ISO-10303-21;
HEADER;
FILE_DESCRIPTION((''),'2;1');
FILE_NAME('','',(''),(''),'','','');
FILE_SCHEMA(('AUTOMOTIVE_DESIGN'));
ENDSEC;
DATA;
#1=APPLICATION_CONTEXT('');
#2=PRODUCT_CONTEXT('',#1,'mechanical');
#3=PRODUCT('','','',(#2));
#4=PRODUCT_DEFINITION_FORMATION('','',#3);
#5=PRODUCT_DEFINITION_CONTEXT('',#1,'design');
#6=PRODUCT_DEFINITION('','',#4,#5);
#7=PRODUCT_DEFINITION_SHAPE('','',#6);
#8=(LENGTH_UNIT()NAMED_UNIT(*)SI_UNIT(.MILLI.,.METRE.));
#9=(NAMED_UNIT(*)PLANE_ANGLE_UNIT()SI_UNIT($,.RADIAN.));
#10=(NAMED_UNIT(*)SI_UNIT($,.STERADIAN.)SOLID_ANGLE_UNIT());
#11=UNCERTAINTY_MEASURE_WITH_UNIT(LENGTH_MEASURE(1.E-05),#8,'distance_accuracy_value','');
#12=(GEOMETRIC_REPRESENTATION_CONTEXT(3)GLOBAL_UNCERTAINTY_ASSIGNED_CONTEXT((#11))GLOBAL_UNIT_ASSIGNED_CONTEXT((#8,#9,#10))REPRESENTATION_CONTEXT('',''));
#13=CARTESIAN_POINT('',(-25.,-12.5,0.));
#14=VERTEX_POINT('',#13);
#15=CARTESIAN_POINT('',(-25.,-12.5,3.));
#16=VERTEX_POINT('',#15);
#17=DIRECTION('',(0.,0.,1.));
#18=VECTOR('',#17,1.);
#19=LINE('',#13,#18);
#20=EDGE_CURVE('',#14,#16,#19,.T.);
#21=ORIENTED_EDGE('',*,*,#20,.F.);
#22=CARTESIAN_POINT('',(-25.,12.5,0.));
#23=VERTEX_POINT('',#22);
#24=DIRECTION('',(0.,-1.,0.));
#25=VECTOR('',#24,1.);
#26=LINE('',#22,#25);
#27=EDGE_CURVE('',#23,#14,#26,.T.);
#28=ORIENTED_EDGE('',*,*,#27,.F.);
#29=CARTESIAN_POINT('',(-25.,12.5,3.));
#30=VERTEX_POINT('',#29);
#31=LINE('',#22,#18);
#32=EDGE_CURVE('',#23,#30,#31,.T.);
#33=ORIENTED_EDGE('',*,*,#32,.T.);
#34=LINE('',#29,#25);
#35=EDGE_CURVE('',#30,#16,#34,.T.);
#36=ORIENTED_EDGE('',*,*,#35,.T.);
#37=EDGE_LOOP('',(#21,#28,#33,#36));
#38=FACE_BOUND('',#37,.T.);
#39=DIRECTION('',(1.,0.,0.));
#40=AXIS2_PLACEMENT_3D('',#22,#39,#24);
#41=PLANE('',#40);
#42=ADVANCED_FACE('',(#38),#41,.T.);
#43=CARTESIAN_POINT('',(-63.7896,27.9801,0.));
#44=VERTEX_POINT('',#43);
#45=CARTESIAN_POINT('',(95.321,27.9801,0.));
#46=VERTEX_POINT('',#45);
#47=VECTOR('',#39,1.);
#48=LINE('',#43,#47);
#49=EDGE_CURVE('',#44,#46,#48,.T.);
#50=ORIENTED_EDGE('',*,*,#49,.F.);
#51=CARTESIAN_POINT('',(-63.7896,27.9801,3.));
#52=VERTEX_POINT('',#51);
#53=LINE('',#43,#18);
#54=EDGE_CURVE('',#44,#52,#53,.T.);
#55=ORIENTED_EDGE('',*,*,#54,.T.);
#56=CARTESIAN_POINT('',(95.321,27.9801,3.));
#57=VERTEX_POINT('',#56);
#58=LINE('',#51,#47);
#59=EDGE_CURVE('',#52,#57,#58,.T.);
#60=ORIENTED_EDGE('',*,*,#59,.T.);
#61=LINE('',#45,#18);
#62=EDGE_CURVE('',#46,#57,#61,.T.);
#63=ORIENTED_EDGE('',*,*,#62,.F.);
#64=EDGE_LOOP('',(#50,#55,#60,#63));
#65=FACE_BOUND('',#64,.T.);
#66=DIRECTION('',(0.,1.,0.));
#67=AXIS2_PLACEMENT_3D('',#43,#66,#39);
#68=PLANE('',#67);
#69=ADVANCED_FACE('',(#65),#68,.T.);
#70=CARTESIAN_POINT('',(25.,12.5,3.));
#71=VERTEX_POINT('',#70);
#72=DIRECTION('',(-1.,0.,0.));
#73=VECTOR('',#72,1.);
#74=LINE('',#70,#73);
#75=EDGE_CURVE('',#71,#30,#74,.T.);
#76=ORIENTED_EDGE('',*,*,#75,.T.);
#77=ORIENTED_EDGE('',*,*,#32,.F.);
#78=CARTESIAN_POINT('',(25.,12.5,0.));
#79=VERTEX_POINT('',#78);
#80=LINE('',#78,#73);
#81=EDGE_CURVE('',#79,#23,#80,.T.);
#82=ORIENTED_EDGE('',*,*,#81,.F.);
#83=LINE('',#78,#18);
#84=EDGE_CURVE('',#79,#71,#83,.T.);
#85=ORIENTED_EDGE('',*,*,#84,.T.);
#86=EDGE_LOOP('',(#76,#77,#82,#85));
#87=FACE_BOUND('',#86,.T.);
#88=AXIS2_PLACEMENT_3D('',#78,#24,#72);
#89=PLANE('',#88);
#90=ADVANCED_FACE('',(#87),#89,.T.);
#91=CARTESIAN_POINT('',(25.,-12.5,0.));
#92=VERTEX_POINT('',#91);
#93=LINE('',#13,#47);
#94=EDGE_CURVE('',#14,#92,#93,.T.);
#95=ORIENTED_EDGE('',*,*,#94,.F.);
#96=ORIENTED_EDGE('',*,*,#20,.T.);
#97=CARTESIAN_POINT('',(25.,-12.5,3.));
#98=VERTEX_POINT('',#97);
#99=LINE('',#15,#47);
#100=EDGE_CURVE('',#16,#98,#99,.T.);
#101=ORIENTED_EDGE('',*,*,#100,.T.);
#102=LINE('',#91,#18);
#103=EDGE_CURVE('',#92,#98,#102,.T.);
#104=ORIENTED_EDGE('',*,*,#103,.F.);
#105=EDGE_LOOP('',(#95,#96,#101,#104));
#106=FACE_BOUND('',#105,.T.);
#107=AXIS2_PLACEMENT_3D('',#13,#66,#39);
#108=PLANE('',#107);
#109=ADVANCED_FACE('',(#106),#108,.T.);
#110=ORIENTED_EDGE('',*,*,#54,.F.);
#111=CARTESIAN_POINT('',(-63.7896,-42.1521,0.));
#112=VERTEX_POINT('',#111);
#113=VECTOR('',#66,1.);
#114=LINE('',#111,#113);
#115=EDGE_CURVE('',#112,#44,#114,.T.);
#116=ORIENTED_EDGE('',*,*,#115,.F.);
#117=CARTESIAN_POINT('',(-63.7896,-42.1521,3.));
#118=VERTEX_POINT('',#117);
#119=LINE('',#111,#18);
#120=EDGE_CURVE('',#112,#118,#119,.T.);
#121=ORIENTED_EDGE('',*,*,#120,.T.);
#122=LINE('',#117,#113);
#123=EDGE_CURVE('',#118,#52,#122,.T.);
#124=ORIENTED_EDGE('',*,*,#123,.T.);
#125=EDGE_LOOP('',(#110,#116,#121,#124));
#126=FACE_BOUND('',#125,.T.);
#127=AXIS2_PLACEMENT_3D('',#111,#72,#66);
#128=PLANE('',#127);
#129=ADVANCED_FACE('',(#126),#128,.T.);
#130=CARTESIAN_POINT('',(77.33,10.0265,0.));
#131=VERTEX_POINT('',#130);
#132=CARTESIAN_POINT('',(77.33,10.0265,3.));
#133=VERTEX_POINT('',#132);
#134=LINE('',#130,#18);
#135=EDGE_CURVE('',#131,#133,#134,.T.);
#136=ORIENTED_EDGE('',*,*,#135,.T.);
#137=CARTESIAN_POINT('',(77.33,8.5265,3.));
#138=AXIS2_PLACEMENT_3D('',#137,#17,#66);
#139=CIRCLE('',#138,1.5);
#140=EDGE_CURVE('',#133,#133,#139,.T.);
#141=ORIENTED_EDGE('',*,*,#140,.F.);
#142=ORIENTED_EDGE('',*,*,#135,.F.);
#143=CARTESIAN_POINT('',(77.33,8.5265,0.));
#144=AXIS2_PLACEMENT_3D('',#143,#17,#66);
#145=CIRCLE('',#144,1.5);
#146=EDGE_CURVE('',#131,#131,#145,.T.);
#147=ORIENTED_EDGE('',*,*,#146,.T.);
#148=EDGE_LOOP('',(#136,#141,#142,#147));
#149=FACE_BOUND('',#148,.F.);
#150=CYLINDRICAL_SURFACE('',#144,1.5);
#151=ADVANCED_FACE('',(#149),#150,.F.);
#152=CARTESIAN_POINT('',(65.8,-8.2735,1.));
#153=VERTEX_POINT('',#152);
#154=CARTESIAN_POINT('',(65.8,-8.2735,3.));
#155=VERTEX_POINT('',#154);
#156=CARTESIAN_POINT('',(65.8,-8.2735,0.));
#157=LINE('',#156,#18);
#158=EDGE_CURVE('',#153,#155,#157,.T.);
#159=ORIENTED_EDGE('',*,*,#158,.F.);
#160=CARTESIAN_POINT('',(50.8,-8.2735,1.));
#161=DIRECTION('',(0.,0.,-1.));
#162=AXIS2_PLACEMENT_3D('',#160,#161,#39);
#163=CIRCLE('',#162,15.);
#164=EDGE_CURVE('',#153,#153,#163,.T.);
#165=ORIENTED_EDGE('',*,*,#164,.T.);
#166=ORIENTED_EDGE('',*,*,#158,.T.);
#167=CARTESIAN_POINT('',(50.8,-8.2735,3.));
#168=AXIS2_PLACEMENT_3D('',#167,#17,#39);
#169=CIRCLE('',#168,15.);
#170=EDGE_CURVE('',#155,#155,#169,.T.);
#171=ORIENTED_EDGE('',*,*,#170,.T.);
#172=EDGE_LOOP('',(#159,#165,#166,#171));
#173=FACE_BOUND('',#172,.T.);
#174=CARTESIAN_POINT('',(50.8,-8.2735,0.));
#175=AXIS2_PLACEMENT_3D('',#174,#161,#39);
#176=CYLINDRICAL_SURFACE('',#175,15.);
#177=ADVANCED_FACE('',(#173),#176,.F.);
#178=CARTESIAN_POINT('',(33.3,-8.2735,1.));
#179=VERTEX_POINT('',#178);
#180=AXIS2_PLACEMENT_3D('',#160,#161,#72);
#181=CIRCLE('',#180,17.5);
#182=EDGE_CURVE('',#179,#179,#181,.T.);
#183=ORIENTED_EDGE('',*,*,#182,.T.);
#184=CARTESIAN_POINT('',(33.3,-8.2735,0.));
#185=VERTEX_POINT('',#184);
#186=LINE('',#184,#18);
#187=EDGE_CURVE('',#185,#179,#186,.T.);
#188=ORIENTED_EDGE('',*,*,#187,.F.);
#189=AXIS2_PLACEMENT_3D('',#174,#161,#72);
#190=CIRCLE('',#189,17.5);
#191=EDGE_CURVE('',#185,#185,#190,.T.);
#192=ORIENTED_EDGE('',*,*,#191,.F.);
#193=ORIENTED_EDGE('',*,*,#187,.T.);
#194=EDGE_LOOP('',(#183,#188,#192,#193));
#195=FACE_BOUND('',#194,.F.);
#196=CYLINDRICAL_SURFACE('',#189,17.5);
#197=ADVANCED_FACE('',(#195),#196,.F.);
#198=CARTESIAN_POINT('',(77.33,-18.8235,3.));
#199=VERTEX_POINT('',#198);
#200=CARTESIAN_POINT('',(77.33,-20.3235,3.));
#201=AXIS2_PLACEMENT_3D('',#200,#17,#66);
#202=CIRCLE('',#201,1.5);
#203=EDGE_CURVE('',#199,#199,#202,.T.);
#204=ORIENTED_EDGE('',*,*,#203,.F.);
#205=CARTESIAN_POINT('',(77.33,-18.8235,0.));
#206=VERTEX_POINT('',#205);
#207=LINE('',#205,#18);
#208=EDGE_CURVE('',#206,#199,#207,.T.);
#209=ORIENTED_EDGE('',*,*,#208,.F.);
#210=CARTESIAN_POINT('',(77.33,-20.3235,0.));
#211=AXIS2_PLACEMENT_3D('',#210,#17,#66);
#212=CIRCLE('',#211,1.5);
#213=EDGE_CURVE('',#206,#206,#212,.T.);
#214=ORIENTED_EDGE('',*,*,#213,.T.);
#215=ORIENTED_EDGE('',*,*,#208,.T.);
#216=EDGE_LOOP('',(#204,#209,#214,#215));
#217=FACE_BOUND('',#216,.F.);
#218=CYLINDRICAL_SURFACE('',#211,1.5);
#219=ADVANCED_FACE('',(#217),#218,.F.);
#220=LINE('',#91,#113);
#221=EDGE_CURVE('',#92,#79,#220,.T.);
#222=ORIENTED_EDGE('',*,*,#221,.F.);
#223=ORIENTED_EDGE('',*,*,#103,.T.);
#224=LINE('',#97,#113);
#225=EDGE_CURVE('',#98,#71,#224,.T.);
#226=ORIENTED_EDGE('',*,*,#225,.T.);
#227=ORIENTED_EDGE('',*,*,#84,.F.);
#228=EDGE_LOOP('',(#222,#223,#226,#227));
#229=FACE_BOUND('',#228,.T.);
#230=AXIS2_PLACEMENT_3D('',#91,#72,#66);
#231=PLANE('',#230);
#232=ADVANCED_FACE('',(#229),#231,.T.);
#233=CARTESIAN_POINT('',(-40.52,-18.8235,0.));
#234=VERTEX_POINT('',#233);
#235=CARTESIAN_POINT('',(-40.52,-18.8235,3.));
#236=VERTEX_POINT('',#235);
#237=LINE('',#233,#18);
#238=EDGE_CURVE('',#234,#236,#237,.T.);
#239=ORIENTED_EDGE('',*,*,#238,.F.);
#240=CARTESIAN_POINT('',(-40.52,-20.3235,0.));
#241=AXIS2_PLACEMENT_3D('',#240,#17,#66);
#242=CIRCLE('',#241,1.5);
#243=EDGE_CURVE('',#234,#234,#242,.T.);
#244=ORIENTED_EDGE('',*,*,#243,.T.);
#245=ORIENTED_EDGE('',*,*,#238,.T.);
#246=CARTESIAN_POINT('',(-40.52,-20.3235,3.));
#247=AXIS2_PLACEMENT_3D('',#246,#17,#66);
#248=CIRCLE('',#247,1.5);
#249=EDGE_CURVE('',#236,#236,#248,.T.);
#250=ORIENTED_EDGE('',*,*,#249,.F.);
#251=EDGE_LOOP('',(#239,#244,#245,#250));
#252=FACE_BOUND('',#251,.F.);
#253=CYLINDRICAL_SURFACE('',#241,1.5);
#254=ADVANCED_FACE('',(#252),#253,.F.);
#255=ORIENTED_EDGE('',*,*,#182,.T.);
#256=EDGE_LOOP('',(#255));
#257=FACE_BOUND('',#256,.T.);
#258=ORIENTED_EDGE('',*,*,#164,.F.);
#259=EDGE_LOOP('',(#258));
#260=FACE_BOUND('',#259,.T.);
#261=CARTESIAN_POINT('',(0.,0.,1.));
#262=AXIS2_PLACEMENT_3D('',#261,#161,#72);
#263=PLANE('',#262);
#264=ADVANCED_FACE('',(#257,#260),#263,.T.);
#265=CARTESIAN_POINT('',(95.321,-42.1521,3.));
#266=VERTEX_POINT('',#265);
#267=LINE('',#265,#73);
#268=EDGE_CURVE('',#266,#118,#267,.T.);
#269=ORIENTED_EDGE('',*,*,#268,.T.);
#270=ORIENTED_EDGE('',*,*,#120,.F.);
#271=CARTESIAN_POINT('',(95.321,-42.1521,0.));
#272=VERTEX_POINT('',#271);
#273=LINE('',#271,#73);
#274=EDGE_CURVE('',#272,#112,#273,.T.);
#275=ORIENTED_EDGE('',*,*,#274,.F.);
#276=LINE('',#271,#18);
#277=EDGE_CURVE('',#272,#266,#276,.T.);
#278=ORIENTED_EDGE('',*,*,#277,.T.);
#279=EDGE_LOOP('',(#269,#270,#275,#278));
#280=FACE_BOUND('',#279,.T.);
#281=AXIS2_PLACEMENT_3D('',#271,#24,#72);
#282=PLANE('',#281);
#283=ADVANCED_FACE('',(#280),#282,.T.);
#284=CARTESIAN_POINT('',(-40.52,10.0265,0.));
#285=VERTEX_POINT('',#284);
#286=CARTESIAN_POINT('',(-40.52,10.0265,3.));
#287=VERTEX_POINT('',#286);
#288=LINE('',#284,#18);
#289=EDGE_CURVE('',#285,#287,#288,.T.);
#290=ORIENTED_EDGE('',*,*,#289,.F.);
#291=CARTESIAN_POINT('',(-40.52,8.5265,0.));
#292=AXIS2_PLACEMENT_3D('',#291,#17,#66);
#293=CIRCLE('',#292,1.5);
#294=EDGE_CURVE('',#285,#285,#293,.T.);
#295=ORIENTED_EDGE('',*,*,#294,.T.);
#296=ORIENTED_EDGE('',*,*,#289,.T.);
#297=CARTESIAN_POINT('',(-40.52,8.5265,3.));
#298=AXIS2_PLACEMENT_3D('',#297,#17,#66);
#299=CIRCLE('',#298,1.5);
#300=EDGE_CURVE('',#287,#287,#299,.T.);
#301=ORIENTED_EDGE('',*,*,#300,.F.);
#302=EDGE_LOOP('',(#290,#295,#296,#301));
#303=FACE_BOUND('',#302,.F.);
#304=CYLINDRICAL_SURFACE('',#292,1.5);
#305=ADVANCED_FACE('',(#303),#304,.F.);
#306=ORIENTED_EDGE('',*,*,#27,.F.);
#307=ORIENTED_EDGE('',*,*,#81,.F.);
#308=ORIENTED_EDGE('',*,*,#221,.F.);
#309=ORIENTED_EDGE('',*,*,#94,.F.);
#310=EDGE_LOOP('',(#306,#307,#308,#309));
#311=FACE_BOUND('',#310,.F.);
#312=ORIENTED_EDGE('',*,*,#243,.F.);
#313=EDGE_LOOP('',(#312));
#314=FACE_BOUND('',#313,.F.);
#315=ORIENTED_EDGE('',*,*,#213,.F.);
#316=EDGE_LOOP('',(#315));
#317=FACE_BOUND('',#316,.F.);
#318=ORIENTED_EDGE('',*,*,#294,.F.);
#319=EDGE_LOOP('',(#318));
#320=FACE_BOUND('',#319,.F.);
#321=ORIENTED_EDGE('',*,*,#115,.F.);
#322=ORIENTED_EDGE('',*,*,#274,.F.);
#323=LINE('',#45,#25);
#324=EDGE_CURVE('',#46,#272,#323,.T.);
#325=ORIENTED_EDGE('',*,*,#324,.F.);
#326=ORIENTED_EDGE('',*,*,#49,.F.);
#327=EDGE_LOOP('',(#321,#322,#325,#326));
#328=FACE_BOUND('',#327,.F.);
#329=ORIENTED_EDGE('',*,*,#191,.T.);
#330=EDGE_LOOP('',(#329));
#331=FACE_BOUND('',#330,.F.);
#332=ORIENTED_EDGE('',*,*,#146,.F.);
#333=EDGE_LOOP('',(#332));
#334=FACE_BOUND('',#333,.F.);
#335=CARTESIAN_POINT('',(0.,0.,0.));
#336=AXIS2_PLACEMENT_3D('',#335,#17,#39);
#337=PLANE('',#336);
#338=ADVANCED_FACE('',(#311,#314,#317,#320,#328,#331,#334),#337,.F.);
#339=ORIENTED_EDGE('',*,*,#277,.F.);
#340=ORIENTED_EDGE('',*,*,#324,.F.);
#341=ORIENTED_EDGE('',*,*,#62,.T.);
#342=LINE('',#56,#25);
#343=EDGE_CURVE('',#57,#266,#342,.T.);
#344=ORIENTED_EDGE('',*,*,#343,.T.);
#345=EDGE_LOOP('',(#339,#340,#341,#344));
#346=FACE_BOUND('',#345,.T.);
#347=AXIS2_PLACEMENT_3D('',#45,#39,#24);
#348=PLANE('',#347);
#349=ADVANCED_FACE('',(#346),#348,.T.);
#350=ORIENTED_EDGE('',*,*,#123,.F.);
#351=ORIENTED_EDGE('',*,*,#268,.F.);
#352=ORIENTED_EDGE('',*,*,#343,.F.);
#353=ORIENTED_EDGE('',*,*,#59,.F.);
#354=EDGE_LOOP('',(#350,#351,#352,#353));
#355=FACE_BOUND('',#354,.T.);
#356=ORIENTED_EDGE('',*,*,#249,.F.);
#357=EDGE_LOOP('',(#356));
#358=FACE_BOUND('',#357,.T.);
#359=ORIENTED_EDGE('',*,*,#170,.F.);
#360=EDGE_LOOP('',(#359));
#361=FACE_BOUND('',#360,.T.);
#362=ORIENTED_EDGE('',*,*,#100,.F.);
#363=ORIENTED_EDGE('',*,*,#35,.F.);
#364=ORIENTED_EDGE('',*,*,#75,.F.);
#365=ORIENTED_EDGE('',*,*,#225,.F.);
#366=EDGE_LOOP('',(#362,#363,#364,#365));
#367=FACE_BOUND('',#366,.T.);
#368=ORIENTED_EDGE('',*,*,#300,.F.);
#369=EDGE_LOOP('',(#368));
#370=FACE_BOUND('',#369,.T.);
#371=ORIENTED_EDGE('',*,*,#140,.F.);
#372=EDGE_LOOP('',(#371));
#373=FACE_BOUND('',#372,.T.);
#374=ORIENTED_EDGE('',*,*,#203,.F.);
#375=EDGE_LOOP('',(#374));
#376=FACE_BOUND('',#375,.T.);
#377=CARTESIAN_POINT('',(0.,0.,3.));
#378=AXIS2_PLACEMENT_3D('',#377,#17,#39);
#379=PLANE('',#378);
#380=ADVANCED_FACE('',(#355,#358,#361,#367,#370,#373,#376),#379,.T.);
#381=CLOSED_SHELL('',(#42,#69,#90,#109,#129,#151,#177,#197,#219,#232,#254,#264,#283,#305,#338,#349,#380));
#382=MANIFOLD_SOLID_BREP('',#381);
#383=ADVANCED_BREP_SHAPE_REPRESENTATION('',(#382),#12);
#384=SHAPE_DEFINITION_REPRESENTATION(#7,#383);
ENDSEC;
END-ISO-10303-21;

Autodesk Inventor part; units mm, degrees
ref_plane "YZ Plane" through (0, 0, 0) normal (1, 0, 0) x (0, 1, 0)
ref_plane "XZ Plane" through (0, 0, 0) normal (0, 1, 0) x (-1, 0, 0)
ref_plane "XY Plane" through (0, 0, 0) normal (0, 0, 1) x (1, 0, 0)
sketch "Skizze1" plane through (0, 0, 0) normal (0, 0, 1) x (1, 0, 0)
  line L0 (25, 12.5) -> (-25, 12.5) projected
  line L1 (-25, 12.5) -> (-25, -12.5) projected
  line L2 (-25, -12.5) -> (25, -12.5) projected
  line L3 (25, -12.5) -> (25, 12.5) projected
  circle A0 centre (50.8, -8.2735) radius 14.6905 projected
  circle A1 centre (50.8, -8.2735) radius 15
  line L4 (-63.7896, 27.9801) -> (95.321, 27.9801)
  line L5 (95.321, 27.9801) -> (95.321, -42.1521)
  line L6 (95.321, -42.1521) -> (-63.7896, -42.1521)
  line L7 (-63.7896, -42.1521) -> (-63.7896, 27.9801)
  point P0 (0, 0)
  dimension "d0" = 30
extrude "Extrusion1" add sketch "Skizze1" along normal blind 3 contours L4 L5 L6 L7
sketch "Skizze2" plane through (0, 0, 0) normal (0, 0, -1) x (-1, 0, 0)
  circle A0 centre (-50.8, -8.2735) radius 15 construction
  circle A1 centre (-50.8, -8.2735) radius 17.5
  point P0 (0, 0)
  dimension "d3" = 35
extrude "Extrusion2" cut sketch "Skizze2" against normal blind 1
sketch "Skizze3" plane through (0, 0, 0) normal (0, 0, -1) x (-1, 0, 0)
  circle A0 centre (-77.33, -20.3235) radius 1.75 construction
  circle A1 centre (40.52, -20.3235) radius 1.75 construction
  circle A2 centre (40.52, 8.5265) radius 1.75 construction
  circle A3 centre (-77.33, 8.5265) radius 1.75 construction
  arc A4 (-44.8513, -25.2196) -> (-44.1338, -24.9216) centre (-45.6338, -22.3235) ccw construction
  arc A5 (-44.8513, -25.2196) -> (-45.0539, -25.3294) centre (-44.7209, -25.7023) ccw construction
  arc A6 (-46.2827, -25.4102) -> (-45.0539, -25.3294) centre (-45.72, -24.5835) ccw construction
  arc A7 (-46.2827, -25.4102) -> (-46.564, -25.3235) centre (-46.564, -25.8235) ccw construction
  line L0 (-55.036, -25.3235) -> (-46.564, -25.3235) construction
  arc A8 (-55.036, -25.3235) -> (-55.3173, -25.4102) centre (-55.036, -25.8235) ccw construction
  arc A9 (-56.4427, -25.4102) -> (-55.3173, -25.4102) centre (-55.88, -24.5835) ccw construction
  arc A10 (-56.4427, -25.4102) -> (-56.724, -25.3235) centre (-56.724, -25.8235) ccw construction
  line L1 (-66.83, -25.3235) -> (-56.724, -25.3235) construction
  arc A11 (-67.83, -24.3235) -> (-66.83, -25.3235) centre (-66.83, -24.3235) ccw construction
  line L2 (-67.83, -14.2262) -> (-67.83, -24.3235) construction
  arc A12 (-67.83, -14.2262) -> (-67.9233, -13.9353) centre (-68.33, -14.2262) ccw construction
  arc A13 (-67.9233, -12.7717) -> (-67.9233, -13.9353) centre (-67.11, -13.3535) ccw construction
  arc A14 (-67.9233, -12.7717) -> (-67.83, -12.4808) centre (-68.33, -12.4808) ccw construction
  line L3 (-67.83, -4.0662) -> (-67.83, -12.4808) construction
  arc A15 (-67.83, -4.0662) -> (-67.9233, -3.7753) centre (-68.33, -4.0662) ccw construction
  arc A16 (-67.9233, -2.6117) -> (-67.9233, -3.7753) centre (-67.11, -3.1935) ccw construction
  arc A17 (-67.9233, -2.6117) -> (-67.83, -2.3208) centre (-68.33, -2.3208) ccw construction
  line L4 (-67.83, -1.6101) -> (-67.83, -2.3208) construction
  arc A18 (-67.83, -1.6101) -> (-68.1376, -1.1483) centre (-68.3305, -1.6101) ccw construction
  arc A19 (-68.445, -0.6869) -> (-68.1376, -1.1483) centre (-67.945, -0.6869) ccw construction
  line L5 (-68.445, 14.5865) -> (-68.445, -0.6869) construction
  arc A20 (-67.945, 15.0865) -> (-68.445, 14.5865) centre (-67.945, 14.5865) ccw construction
  line L6 (-58.801, 15.0865) -> (-67.945, 15.0865) construction
  arc A21 (-58.301, 14.5865) -> (-58.801, 15.0865) centre (-58.801, 14.5865) ccw construction
  line L7 (-58.301, 14.5265) -> (-58.301, 14.5865) construction
  arc A22 (-58.301, 14.5265) -> (-57.301, 13.5265) centre (-57.301, 14.5265) ccw construction
  line L8 (-44.045, 13.5265) -> (-57.301, 13.5265) construction
  arc A23 (-44.045, 13.5265) -> (-43.045, 14.5265) centre (-44.045, 14.5265) ccw construction
  line L9 (-43.045, 14.5865) -> (-43.045, 14.5265) construction
  arc A24 (-42.545, 15.0865) -> (-43.045, 14.5865) centre (-42.545, 14.5865) ccw construction
  line L10 (-33.401, 15.0865) -> (-42.545, 15.0865) construction
  arc A25 (-32.901, 14.5865) -> (-33.401, 15.0865) centre (-33.401, 14.5865) ccw construction
  line L11 (-32.901, 14.5265) -> (-32.901, 14.5865) construction
  arc A26 (-32.901, 14.5265) -> (-31.901, 13.5265) centre (-31.901, 14.5265) ccw construction
  line L12 (21.02, 13.5265) -> (-31.901, 13.5265) construction
  arc A27 (31.02, 3.5265) -> (21.02, 13.5265) centre (21.02, 3.5265) ccw construction
  line L13 (31.02, 2.4539) -> (31.02, 3.5265) construction
  arc A28 (31.02, 2.4539) -> (31.3225, 1.9945) centre (31.52, 2.4539) ccw construction
  arc A29 (31.3225, -0.7615) -> (31.3225, 1.9945) centre (30.73, 0.6165) ccw construction
  arc A30 (31.3225, -0.7615) -> (31.02, -1.2209) centre (31.52, -1.2209) ccw construction
  line L14 (31.02, -1.3561) -> (31.02, -1.2209) construction
  arc A31 (31.02, -1.3561) -> (31.3225, -1.8155) centre (31.52, -1.3561) ccw construction
  arc A32 (31.3225, -4.5715) -> (31.3225, -1.8155) centre (30.73, -3.1935) ccw construction
  arc A33 (31.3225, -4.5715) -> (31.02, -5.0309) centre (31.52, -5.0309) ccw construction
  line L15 (31.02, -5.1661) -> (31.02, -5.0309) construction
  arc A34 (31.02, -5.1661) -> (31.3225, -5.6255) centre (31.52, -5.1661) ccw construction
  arc A35 (31.3225, -8.3815) -> (31.3225, -5.6255) centre (30.73, -7.0035) ccw construction
  arc A36 (31.3225, -8.3815) -> (31.02, -8.8409) centre (31.52, -8.8409) ccw construction
  line L16 (31.02, -10.4303) -> (31.02, -8.8409) construction
  arc A37 (31.02, -10.4303) -> (31.3433, -10.898) centre (31.52, -10.4303) ccw construction
  arc A38 (31.3433, -12.769) -> (31.3433, -10.898) centre (30.99, -11.8335) ccw construction
  arc A39 (31.3433, -12.769) -> (31.02, -13.2367) centre (31.52, -13.2367) ccw construction
  line L17 (31.02, -20.5903) -> (31.02, -13.2367) construction
  arc A40 (31.02, -20.5903) -> (31.3433, -21.058) centre (31.52, -20.5903) ccw construction
  arc A41 (31.3283, -22.9345) -> (31.3433, -21.058) centre (30.99, -21.9935) ccw construction
  arc A42 (31.3283, -22.9345) -> (30.9977, -23.3898) centre (31.4974, -23.4051) ccw construction
  arc A43 (28.77, -25.3235) -> (30.9977, -23.3898) centre (28.77, -23.0735) ccw construction
  line L18 (-24.9736, -25.3235) -> (28.77, -25.3235) construction
  arc A44 (-26.4736, -24.9216) -> (-24.9736, -25.3235) centre (-24.9736, -22.3235) ccw construction
  line L19 (-33.8037, -20.6895) -> (-26.4736, -24.9216) construction
  arc A45 (-33.8037, -20.6895) -> (-36.8037, -20.6895) centre (-35.3037, -23.2876) ccw construction
  line L20 (-44.1338, -24.9216) -> (-36.8037, -20.6895) construction
  line L21 (-81.83, -30.3235) -> (45.02, -30.3235) construction
  arc A46 (45.02, -30.3235) -> (48.02, -27.3235) centre (45.02, -27.3235) ccw construction
  line L22 (48.02, -27.3235) -> (48.02, 15.5265) construction
  arc A47 (48.02, 15.5265) -> (45.02, 18.5265) centre (45.02, 15.5265) ccw construction
  line L23 (45.02, 18.5265) -> (-81.83, 18.5265) construction
  arc A48 (-81.83, 18.5265) -> (-84.83, 15.5265) centre (-81.83, 15.5265) ccw construction
  line L24 (-84.83, 15.5265) -> (-84.83, -27.3235) construction
  arc A49 (-84.83, -27.3235) -> (-81.83, -30.3235) centre (-81.83, -27.3235) ccw construction
  point P0 (0, 0)
hole "Bohrung1" at (77.33, 8.5265, 0) at (77.33, -20.3235, 0) at (-40.52, -20.3235, 0) at (-40.52, 8.5265, 0) direction (0, 0, 1) diameter 3 end through all
properties part number "Ausschnitt"
